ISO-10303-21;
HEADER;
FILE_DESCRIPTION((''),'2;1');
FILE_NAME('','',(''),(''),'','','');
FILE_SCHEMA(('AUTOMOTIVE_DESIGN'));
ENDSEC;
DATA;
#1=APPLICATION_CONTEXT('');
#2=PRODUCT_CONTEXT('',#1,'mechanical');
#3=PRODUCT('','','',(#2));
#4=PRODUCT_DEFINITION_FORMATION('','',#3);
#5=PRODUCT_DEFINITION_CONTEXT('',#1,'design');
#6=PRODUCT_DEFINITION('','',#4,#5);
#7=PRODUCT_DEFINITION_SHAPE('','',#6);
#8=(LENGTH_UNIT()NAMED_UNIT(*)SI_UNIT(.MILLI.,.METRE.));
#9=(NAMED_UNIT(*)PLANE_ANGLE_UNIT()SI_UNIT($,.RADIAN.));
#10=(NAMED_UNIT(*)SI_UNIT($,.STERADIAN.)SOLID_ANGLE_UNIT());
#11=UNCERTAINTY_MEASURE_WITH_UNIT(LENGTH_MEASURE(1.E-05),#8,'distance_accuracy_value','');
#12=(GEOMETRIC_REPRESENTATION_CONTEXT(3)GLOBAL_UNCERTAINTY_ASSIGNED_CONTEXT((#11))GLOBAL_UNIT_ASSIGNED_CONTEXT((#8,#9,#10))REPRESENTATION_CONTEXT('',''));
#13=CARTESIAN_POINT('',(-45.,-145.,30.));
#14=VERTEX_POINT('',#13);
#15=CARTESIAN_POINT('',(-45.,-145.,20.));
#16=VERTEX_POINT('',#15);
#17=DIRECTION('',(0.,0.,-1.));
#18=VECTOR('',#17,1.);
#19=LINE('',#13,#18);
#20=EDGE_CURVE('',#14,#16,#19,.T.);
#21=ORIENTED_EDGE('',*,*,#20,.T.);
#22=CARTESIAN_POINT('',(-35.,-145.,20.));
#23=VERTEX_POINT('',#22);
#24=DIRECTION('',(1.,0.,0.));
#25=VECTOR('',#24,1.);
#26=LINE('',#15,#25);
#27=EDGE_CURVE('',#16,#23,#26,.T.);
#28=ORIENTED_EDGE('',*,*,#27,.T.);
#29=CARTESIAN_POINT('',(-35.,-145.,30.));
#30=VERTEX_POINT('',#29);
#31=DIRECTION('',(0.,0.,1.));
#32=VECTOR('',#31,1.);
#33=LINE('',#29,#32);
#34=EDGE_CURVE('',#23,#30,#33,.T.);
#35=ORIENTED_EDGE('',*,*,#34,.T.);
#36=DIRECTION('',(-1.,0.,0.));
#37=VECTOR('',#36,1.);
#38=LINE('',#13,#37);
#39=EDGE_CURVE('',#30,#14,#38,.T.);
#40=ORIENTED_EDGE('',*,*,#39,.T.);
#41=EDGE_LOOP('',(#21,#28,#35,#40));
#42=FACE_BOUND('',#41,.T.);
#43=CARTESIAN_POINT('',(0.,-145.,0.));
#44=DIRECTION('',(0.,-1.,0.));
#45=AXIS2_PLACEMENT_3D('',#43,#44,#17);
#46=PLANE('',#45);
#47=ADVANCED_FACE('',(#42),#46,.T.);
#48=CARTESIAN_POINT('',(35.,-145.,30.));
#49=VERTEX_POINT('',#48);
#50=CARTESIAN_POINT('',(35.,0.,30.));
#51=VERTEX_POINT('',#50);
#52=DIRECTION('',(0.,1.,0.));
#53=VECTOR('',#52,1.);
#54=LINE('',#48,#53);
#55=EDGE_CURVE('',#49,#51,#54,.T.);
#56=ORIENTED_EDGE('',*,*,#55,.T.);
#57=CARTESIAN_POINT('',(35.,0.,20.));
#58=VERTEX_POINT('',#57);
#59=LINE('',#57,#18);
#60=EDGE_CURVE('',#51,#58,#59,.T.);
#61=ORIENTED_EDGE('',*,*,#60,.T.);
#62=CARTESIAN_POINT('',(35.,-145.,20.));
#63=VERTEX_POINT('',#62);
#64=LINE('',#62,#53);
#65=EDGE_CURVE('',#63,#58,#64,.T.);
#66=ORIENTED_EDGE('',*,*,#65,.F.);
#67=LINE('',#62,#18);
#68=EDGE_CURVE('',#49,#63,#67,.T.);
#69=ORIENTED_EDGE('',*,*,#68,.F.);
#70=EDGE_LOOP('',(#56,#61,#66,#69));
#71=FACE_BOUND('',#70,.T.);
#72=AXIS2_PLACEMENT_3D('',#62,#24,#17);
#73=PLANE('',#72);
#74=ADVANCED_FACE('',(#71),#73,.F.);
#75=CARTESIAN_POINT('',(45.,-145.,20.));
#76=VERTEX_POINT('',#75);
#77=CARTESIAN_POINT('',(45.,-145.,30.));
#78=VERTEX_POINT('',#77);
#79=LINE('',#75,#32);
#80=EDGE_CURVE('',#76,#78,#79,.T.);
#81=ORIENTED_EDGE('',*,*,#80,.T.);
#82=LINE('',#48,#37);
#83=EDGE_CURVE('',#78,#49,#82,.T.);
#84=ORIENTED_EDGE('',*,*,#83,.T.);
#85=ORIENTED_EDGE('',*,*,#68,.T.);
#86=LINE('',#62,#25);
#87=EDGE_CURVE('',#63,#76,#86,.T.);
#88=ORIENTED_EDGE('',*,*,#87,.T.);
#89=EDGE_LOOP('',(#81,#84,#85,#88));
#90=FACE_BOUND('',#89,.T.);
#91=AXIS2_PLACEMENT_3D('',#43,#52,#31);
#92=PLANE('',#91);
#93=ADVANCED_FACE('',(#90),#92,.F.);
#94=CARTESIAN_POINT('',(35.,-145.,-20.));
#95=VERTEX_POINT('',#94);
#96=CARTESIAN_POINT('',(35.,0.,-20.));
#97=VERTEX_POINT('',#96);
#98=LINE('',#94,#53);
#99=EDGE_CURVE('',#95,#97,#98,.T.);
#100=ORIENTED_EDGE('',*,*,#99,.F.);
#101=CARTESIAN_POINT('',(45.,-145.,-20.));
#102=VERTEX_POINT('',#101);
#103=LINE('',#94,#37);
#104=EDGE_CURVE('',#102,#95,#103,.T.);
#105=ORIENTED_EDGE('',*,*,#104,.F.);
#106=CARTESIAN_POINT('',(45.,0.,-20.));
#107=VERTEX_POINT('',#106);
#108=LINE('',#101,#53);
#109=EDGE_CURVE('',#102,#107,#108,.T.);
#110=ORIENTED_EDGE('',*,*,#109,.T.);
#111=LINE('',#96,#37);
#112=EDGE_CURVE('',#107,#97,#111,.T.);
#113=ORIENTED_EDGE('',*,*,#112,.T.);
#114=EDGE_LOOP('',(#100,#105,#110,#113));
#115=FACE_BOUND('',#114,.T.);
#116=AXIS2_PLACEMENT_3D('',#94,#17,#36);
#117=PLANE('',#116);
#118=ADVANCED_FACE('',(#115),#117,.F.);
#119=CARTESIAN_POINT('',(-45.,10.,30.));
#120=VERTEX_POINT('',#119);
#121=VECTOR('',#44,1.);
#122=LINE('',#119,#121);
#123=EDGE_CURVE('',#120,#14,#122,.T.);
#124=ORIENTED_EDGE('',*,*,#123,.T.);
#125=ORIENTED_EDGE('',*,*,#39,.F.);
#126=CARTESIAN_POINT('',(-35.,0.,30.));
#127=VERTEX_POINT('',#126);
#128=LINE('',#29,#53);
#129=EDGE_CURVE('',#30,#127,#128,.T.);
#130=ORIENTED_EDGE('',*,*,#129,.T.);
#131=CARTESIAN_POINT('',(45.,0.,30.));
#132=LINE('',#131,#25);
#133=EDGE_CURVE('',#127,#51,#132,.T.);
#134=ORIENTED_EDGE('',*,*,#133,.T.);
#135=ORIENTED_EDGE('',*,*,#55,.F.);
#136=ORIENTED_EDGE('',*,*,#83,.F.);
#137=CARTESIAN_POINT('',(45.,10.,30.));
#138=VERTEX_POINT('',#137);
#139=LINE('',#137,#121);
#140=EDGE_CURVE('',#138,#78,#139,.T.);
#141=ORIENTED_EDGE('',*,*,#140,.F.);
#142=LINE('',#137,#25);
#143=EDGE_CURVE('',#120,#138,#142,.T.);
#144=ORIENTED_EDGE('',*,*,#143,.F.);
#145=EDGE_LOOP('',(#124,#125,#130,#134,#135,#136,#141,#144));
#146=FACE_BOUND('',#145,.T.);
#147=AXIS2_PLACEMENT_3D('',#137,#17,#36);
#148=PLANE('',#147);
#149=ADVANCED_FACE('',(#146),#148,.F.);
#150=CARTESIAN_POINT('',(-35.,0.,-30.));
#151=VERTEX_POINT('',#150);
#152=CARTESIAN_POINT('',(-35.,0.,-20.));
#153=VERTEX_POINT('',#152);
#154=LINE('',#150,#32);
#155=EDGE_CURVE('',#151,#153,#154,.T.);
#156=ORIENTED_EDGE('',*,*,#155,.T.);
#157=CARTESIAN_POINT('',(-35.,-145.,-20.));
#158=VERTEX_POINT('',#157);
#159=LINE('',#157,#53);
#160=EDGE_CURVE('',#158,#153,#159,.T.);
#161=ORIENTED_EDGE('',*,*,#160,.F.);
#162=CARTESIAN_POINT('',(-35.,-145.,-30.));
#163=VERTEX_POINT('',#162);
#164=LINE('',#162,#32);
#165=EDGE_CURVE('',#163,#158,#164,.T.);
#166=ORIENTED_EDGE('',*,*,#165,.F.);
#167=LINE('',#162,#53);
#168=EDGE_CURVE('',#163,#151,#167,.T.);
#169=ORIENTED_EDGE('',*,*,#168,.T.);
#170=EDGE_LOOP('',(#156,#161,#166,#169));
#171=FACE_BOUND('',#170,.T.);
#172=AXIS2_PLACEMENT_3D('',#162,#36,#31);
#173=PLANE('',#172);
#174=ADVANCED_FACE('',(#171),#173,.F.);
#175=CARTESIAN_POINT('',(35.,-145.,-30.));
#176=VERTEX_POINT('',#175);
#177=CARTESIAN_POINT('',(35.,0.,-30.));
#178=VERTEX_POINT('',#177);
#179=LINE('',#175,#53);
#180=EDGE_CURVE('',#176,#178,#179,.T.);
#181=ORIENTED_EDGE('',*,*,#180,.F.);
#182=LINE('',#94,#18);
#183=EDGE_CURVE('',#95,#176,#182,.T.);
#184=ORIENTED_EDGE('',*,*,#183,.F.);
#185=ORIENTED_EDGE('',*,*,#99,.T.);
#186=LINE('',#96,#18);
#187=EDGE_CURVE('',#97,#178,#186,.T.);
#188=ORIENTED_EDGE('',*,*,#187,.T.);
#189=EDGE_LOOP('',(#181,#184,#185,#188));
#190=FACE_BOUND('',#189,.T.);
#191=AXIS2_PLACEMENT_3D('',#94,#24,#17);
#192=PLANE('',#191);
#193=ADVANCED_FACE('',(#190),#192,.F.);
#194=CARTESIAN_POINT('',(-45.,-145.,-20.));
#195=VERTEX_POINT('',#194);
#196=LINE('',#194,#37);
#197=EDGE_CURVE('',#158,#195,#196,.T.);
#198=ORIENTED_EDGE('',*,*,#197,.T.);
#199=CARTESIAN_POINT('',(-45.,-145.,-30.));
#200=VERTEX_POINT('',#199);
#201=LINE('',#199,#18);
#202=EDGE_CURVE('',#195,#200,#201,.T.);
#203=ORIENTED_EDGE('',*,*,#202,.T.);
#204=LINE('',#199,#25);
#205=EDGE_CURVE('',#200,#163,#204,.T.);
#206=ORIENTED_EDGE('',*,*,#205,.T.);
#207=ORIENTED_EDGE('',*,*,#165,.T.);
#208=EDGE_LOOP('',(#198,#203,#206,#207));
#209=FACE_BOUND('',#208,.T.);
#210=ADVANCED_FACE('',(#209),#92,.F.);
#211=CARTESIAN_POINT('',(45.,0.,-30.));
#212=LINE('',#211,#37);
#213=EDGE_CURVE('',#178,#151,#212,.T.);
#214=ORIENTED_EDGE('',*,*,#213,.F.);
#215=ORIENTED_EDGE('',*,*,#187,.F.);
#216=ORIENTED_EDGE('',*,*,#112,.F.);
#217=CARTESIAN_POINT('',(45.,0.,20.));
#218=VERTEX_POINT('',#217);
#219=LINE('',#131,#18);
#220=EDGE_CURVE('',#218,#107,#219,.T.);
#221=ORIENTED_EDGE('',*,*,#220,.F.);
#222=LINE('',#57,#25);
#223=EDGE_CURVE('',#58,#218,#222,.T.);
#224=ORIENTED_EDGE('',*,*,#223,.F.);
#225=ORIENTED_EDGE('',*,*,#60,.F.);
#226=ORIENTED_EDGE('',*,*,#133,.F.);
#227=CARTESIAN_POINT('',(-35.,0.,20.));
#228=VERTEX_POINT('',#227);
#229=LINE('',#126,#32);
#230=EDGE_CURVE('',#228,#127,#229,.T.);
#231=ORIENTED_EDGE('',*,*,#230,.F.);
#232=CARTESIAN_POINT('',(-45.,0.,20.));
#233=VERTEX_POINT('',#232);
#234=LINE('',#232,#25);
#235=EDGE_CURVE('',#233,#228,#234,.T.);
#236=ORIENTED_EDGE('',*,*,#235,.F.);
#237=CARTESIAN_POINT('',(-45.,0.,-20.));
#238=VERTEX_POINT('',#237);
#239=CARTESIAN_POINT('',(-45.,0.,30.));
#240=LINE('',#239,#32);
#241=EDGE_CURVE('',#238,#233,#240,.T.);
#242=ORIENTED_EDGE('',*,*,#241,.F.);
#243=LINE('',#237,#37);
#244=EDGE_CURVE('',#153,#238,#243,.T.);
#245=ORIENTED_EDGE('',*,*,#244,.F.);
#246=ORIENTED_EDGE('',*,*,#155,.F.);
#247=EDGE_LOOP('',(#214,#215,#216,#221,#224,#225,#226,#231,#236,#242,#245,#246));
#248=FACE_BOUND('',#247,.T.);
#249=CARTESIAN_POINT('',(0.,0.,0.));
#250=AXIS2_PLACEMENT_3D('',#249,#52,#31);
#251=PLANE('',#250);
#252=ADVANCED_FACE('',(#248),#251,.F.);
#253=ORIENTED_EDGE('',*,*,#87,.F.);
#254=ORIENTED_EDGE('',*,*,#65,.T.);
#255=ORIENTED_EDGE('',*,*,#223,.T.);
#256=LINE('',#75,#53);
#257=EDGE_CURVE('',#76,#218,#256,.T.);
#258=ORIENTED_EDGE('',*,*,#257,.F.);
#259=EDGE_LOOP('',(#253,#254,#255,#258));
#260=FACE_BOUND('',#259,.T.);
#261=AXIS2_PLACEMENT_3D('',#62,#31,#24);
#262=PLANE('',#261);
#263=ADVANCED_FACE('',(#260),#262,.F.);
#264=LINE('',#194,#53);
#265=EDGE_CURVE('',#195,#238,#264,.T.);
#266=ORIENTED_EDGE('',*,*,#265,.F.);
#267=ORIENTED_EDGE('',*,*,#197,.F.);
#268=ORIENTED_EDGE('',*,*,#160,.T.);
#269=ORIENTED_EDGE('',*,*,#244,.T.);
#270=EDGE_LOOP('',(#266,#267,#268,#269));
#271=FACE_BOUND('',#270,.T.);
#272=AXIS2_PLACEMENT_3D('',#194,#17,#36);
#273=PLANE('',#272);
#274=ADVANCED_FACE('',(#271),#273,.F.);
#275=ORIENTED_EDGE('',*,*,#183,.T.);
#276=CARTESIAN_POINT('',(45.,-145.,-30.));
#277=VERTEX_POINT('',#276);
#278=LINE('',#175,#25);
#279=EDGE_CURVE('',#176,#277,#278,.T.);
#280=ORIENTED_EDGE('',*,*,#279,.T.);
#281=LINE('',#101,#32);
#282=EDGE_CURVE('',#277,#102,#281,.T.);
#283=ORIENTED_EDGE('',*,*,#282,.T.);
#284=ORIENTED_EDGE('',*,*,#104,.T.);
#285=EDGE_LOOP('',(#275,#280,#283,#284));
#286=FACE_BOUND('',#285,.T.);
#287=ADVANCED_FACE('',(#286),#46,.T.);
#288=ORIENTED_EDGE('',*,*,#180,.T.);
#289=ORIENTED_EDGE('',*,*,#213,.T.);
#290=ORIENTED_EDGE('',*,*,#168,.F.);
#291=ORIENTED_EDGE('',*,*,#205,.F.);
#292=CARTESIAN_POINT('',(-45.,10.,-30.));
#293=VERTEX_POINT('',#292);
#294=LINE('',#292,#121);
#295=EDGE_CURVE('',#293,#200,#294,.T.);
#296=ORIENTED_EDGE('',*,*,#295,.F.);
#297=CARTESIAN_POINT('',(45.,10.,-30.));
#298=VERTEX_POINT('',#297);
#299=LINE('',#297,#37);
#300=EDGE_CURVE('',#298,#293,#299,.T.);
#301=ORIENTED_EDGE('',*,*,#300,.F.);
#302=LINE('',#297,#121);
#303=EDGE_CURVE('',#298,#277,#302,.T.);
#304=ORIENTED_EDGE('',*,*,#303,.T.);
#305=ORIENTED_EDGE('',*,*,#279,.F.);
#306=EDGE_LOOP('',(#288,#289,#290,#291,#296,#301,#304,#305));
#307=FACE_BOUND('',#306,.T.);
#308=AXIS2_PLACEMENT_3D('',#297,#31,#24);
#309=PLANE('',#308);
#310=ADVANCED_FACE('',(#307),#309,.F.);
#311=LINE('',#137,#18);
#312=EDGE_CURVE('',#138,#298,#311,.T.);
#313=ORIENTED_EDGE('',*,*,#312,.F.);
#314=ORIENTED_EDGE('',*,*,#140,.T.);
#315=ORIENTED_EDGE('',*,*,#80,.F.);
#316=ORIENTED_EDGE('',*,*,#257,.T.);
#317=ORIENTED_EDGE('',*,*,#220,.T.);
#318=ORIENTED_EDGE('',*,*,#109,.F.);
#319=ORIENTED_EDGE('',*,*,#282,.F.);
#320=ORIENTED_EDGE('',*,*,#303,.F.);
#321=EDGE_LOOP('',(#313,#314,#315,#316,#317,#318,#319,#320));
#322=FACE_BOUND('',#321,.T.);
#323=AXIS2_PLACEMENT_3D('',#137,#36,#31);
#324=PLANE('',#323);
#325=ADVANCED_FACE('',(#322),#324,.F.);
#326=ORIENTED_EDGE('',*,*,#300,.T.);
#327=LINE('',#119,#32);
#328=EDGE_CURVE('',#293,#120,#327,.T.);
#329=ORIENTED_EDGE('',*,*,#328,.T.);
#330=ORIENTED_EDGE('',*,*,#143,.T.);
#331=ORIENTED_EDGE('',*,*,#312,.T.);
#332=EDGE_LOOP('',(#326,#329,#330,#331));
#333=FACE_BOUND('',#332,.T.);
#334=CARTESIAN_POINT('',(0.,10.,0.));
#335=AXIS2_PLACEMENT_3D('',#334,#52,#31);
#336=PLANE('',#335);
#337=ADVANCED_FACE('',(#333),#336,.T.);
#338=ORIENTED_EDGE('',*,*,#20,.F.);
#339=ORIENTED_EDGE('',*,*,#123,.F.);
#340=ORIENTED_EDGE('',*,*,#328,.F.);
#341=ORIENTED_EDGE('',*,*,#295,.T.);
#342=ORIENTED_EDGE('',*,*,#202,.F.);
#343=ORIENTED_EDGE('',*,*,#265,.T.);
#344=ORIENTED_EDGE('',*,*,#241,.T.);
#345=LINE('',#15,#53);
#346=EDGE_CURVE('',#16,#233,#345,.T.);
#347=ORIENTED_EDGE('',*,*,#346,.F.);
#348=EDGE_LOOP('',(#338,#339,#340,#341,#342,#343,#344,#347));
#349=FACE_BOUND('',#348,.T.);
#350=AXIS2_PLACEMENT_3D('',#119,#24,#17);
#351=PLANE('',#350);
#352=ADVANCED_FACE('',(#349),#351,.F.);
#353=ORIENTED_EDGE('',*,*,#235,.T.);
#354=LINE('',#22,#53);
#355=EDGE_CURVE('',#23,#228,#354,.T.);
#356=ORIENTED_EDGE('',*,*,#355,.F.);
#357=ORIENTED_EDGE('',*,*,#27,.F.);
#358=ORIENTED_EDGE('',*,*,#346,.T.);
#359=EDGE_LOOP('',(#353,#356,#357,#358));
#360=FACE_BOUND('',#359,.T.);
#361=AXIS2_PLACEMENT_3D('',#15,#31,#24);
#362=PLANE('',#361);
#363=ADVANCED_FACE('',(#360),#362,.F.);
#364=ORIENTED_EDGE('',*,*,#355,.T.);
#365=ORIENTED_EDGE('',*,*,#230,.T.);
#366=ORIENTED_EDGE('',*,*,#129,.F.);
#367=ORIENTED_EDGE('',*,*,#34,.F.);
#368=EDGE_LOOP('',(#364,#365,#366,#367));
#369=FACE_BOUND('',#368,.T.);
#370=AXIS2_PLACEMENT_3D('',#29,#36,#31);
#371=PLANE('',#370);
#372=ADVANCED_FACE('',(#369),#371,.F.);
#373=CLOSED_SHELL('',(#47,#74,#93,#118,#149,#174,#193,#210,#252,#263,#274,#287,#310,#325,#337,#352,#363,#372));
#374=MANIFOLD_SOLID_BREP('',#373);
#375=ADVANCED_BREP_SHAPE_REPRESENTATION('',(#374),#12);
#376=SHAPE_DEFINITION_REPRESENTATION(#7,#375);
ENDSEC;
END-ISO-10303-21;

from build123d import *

# Parameters (mm, degrees)
SKETCH1_W           = 90
SKETCH1_H           = 60
BOSS_EXTRUDE1_DEPTH = 10
SKETCH2_W           = 10
SKETCH2_H           = 10
BOSS_EXTRUDE2_DEPTH = 145


with BuildPart() as part:
    # Sketch1 → Boss-Extrude1 (new body)
    with BuildSketch(Plane(origin=(0, 0, 0), x_dir=(1, 0, 0), z_dir=(0, 1, 0))):
        Rectangle(SKETCH1_W, SKETCH1_H)
    extrude(amount=BOSS_EXTRUDE1_DEPTH)

    # Sketch2 → Boss-Extrude2 (add)
    with BuildSketch(Plane.XZ):
        with Locations((-40, 25)):
            Rectangle(SKETCH2_W, SKETCH2_H)
        with Locations((-40, -25)):
            Rectangle(SKETCH2_W, SKETCH2_H)
        with Locations((40, -25)):
            Rectangle(SKETCH2_W, SKETCH2_H)
        with Locations((40, 25)):
            Rectangle(SKETCH2_W, SKETCH2_H)
    extrude(amount=BOSS_EXTRUDE2_DEPTH)


solid = part.part
